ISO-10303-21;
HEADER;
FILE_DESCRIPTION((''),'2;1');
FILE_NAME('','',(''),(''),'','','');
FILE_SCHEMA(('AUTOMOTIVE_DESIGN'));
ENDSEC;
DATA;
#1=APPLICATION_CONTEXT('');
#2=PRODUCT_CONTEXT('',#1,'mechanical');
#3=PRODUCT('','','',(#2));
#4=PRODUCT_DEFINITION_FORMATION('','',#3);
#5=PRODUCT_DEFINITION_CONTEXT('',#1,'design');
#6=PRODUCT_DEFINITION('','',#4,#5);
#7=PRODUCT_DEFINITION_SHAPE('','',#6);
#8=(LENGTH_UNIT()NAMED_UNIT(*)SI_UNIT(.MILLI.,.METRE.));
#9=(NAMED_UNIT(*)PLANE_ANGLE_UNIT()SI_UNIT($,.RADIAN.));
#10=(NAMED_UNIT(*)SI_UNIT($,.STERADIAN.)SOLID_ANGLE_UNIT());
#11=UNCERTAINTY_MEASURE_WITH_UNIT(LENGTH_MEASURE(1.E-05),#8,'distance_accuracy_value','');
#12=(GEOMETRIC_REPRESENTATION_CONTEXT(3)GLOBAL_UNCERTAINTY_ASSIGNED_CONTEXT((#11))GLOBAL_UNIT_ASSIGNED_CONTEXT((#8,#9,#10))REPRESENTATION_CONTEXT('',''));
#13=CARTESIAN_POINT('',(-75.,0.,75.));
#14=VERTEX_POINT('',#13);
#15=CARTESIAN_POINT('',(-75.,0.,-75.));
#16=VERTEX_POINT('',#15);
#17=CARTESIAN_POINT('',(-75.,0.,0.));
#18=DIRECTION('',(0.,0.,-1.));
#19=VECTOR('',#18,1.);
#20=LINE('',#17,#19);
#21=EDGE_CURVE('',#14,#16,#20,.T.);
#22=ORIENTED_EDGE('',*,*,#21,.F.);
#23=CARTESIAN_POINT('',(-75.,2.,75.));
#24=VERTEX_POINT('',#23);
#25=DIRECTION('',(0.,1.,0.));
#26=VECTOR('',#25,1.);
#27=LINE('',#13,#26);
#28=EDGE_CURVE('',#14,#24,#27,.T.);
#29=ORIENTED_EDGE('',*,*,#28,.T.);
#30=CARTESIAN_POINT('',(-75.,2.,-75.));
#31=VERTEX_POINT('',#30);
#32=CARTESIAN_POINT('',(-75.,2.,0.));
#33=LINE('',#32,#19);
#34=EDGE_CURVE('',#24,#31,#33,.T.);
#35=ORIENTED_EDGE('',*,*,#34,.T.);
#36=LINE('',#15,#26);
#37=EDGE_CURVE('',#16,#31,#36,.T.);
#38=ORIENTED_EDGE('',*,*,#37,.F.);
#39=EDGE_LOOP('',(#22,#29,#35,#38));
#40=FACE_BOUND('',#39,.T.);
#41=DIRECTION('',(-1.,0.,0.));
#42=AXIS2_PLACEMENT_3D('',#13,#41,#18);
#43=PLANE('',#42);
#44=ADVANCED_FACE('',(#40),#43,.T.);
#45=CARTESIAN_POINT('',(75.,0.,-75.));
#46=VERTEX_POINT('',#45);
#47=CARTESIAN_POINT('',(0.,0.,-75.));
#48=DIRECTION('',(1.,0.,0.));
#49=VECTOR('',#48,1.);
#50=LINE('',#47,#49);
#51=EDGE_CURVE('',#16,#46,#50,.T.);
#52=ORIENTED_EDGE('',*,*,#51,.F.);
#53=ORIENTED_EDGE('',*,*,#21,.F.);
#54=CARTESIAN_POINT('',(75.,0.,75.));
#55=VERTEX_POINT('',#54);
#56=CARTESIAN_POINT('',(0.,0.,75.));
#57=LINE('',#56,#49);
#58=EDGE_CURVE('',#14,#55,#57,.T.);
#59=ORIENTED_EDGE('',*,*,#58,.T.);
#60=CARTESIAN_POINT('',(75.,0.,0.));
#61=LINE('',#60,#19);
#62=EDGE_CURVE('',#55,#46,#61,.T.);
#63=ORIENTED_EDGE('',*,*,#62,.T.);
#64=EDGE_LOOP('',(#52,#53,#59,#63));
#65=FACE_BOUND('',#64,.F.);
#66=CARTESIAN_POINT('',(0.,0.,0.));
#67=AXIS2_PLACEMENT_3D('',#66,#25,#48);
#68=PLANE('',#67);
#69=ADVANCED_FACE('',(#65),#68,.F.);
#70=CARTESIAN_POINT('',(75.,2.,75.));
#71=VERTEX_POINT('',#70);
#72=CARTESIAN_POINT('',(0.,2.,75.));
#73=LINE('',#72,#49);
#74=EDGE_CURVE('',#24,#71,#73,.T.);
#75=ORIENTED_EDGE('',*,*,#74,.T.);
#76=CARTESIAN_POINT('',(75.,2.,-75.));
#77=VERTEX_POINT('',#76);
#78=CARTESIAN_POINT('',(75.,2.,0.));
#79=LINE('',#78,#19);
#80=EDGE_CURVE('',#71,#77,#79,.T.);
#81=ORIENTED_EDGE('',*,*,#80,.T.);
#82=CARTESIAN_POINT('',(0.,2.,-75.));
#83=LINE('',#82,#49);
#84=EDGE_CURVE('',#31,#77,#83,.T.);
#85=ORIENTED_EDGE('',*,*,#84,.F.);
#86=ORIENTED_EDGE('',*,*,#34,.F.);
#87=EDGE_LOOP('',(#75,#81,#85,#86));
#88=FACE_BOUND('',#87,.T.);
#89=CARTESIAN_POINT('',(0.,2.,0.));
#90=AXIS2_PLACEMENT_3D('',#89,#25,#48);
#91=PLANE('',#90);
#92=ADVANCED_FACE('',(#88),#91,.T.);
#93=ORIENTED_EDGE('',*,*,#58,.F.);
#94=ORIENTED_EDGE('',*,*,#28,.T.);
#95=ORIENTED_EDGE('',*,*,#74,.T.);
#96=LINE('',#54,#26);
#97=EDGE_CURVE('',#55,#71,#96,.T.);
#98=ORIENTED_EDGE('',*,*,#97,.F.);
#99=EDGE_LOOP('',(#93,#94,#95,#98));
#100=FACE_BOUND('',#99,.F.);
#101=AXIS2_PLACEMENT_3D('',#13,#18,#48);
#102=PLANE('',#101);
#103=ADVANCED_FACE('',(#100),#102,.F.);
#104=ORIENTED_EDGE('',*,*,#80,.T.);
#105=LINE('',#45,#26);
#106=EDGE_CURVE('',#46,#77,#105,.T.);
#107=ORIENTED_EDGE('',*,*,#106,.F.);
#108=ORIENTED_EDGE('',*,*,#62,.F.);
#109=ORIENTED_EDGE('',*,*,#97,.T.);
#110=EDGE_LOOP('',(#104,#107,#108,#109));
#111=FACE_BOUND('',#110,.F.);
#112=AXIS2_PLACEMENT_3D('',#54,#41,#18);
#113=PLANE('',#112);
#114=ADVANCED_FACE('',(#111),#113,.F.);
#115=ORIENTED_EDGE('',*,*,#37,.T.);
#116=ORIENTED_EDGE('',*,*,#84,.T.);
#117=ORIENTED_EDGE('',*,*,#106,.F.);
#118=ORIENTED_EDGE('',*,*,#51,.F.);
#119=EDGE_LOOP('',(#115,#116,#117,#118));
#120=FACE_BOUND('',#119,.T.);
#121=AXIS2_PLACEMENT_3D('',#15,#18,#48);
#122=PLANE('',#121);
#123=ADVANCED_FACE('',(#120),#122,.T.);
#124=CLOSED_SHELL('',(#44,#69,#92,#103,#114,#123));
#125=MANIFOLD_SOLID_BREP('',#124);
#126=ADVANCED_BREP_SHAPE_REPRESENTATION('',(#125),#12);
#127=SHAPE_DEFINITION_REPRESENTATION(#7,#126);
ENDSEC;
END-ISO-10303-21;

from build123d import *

# Parameters (mm, degrees)
ESQUISSE1_W        = 150
ESQUISSE1_H        = 150
BOSS_EXTRU_1_DEPTH = 2


with BuildPart() as part:
    # Esquisse1 → Boss.-Extru.1 (new body)
    with BuildSketch(Plane(origin=(0, 0, 0), x_dir=(1, 0, 0), z_dir=(0, 1, 0))):
        Rectangle(ESQUISSE1_W, ESQUISSE1_H)
    extrude(amount=BOSS_EXTRU_1_DEPTH)


solid = part.part
